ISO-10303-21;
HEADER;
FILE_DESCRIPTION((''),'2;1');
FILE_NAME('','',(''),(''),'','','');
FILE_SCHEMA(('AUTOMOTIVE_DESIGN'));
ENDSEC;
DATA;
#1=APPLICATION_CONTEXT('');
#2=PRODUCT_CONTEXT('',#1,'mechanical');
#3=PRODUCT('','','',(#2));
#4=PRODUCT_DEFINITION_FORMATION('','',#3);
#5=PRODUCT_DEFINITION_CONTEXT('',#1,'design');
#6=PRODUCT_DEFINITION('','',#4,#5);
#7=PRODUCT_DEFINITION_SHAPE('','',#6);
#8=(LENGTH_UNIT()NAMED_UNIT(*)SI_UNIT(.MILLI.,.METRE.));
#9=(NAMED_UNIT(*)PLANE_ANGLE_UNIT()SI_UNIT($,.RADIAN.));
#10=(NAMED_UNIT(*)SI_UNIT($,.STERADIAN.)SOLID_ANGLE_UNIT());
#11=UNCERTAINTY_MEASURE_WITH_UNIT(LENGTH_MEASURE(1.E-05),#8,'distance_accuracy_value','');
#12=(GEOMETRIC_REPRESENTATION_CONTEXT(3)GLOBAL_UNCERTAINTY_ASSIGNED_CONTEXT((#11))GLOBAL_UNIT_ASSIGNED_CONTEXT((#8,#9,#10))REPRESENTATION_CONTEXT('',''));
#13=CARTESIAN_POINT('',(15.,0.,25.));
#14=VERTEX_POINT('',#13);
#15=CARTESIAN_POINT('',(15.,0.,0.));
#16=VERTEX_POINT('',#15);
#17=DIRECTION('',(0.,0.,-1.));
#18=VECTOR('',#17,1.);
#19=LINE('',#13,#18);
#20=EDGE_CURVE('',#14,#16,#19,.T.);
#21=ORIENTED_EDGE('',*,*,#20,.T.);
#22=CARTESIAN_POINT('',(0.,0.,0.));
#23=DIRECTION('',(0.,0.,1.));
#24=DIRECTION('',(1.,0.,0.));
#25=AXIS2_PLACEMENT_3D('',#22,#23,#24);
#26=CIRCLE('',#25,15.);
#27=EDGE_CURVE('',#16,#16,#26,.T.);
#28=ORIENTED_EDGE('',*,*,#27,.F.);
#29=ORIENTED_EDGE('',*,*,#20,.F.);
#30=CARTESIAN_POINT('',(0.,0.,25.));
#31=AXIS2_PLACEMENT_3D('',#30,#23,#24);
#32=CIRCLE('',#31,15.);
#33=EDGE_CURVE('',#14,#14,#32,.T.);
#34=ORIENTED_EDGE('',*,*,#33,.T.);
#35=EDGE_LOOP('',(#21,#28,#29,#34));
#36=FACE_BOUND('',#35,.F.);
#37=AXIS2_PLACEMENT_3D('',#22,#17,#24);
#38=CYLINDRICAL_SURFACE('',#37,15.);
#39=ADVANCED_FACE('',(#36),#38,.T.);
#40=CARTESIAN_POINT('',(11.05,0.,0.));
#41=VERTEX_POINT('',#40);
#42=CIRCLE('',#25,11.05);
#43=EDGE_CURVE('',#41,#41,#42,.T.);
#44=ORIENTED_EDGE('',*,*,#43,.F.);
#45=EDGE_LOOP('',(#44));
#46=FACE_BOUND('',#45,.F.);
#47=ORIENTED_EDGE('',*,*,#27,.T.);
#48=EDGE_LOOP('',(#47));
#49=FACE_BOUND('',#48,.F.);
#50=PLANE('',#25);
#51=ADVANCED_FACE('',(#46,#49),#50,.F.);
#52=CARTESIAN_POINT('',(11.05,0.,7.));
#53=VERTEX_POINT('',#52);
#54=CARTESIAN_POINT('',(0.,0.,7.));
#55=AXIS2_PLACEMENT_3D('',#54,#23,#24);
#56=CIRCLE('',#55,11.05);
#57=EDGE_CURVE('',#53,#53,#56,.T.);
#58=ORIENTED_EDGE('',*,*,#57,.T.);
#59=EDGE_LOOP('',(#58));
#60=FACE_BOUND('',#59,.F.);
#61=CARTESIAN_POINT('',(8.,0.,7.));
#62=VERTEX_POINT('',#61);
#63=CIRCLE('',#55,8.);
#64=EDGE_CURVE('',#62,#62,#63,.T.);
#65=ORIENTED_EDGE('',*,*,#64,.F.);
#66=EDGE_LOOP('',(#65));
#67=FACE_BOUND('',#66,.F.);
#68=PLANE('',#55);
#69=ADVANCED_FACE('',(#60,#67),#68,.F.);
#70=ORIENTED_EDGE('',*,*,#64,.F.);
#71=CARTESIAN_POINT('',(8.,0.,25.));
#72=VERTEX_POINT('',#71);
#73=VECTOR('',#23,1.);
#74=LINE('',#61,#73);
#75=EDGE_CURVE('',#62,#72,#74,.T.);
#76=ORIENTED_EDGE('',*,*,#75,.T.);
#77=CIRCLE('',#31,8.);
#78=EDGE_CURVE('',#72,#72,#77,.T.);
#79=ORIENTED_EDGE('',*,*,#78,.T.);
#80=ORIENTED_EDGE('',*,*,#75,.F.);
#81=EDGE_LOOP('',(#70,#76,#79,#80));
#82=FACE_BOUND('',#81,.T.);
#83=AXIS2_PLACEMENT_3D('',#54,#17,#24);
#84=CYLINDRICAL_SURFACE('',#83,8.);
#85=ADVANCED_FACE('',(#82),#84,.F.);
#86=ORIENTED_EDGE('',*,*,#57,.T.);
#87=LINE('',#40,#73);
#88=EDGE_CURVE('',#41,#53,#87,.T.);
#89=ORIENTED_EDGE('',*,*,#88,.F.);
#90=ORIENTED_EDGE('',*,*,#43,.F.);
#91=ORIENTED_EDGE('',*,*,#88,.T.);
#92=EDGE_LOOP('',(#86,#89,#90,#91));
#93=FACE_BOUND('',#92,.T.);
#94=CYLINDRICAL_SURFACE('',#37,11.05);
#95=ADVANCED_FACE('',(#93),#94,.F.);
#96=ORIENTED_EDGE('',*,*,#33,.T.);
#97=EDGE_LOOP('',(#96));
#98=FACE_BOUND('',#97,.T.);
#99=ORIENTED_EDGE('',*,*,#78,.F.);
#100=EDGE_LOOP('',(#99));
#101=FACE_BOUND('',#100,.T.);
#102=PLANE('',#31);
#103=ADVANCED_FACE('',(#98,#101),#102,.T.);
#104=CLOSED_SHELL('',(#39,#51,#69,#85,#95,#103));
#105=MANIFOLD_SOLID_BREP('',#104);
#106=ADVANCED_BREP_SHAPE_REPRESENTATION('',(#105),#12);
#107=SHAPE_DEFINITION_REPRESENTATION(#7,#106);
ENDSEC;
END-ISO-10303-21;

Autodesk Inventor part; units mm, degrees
ref_plane "YZ Plane" through (0, 0, 0) normal (1, 0, 0) x (0, 1, 0)
ref_plane "XZ Plane" through (0, 0, 0) normal (0, 1, 0) x (-1, 0, 0)
ref_plane "XY Plane" through (0, 0, 0) normal (0, 0, 1) x (1, 0, 0)
sketch "Sketch1" plane through (0, 0, 0) normal (0, 0, 1) x (1, 0, 0)
  circle A0 centre (0, 0) radius 11.05
  circle A1 centre (0, 0) radius 15
  dimension "d0" = 22.1
  dimension "d1" = 30
extrude "Extrusion1" add sketch "Sketch1" along normal blind 7
sketch "Sketch2" plane through (0, 0, 7) normal (0, 0, 1) x (1, 0, 0)
  circle A0 centre (0, 0) radius 8
  circle A1 centre (0, 0) radius 15 projected
  circle A2 centre (0, 0) radius 8
  circle A3 centre (0, 0) radius 15
  dimension "d4" = 16
extrude "Extrusion2" add sketch "Sketch2" along normal blind 18
properties part number "kółko zawieszenia"
